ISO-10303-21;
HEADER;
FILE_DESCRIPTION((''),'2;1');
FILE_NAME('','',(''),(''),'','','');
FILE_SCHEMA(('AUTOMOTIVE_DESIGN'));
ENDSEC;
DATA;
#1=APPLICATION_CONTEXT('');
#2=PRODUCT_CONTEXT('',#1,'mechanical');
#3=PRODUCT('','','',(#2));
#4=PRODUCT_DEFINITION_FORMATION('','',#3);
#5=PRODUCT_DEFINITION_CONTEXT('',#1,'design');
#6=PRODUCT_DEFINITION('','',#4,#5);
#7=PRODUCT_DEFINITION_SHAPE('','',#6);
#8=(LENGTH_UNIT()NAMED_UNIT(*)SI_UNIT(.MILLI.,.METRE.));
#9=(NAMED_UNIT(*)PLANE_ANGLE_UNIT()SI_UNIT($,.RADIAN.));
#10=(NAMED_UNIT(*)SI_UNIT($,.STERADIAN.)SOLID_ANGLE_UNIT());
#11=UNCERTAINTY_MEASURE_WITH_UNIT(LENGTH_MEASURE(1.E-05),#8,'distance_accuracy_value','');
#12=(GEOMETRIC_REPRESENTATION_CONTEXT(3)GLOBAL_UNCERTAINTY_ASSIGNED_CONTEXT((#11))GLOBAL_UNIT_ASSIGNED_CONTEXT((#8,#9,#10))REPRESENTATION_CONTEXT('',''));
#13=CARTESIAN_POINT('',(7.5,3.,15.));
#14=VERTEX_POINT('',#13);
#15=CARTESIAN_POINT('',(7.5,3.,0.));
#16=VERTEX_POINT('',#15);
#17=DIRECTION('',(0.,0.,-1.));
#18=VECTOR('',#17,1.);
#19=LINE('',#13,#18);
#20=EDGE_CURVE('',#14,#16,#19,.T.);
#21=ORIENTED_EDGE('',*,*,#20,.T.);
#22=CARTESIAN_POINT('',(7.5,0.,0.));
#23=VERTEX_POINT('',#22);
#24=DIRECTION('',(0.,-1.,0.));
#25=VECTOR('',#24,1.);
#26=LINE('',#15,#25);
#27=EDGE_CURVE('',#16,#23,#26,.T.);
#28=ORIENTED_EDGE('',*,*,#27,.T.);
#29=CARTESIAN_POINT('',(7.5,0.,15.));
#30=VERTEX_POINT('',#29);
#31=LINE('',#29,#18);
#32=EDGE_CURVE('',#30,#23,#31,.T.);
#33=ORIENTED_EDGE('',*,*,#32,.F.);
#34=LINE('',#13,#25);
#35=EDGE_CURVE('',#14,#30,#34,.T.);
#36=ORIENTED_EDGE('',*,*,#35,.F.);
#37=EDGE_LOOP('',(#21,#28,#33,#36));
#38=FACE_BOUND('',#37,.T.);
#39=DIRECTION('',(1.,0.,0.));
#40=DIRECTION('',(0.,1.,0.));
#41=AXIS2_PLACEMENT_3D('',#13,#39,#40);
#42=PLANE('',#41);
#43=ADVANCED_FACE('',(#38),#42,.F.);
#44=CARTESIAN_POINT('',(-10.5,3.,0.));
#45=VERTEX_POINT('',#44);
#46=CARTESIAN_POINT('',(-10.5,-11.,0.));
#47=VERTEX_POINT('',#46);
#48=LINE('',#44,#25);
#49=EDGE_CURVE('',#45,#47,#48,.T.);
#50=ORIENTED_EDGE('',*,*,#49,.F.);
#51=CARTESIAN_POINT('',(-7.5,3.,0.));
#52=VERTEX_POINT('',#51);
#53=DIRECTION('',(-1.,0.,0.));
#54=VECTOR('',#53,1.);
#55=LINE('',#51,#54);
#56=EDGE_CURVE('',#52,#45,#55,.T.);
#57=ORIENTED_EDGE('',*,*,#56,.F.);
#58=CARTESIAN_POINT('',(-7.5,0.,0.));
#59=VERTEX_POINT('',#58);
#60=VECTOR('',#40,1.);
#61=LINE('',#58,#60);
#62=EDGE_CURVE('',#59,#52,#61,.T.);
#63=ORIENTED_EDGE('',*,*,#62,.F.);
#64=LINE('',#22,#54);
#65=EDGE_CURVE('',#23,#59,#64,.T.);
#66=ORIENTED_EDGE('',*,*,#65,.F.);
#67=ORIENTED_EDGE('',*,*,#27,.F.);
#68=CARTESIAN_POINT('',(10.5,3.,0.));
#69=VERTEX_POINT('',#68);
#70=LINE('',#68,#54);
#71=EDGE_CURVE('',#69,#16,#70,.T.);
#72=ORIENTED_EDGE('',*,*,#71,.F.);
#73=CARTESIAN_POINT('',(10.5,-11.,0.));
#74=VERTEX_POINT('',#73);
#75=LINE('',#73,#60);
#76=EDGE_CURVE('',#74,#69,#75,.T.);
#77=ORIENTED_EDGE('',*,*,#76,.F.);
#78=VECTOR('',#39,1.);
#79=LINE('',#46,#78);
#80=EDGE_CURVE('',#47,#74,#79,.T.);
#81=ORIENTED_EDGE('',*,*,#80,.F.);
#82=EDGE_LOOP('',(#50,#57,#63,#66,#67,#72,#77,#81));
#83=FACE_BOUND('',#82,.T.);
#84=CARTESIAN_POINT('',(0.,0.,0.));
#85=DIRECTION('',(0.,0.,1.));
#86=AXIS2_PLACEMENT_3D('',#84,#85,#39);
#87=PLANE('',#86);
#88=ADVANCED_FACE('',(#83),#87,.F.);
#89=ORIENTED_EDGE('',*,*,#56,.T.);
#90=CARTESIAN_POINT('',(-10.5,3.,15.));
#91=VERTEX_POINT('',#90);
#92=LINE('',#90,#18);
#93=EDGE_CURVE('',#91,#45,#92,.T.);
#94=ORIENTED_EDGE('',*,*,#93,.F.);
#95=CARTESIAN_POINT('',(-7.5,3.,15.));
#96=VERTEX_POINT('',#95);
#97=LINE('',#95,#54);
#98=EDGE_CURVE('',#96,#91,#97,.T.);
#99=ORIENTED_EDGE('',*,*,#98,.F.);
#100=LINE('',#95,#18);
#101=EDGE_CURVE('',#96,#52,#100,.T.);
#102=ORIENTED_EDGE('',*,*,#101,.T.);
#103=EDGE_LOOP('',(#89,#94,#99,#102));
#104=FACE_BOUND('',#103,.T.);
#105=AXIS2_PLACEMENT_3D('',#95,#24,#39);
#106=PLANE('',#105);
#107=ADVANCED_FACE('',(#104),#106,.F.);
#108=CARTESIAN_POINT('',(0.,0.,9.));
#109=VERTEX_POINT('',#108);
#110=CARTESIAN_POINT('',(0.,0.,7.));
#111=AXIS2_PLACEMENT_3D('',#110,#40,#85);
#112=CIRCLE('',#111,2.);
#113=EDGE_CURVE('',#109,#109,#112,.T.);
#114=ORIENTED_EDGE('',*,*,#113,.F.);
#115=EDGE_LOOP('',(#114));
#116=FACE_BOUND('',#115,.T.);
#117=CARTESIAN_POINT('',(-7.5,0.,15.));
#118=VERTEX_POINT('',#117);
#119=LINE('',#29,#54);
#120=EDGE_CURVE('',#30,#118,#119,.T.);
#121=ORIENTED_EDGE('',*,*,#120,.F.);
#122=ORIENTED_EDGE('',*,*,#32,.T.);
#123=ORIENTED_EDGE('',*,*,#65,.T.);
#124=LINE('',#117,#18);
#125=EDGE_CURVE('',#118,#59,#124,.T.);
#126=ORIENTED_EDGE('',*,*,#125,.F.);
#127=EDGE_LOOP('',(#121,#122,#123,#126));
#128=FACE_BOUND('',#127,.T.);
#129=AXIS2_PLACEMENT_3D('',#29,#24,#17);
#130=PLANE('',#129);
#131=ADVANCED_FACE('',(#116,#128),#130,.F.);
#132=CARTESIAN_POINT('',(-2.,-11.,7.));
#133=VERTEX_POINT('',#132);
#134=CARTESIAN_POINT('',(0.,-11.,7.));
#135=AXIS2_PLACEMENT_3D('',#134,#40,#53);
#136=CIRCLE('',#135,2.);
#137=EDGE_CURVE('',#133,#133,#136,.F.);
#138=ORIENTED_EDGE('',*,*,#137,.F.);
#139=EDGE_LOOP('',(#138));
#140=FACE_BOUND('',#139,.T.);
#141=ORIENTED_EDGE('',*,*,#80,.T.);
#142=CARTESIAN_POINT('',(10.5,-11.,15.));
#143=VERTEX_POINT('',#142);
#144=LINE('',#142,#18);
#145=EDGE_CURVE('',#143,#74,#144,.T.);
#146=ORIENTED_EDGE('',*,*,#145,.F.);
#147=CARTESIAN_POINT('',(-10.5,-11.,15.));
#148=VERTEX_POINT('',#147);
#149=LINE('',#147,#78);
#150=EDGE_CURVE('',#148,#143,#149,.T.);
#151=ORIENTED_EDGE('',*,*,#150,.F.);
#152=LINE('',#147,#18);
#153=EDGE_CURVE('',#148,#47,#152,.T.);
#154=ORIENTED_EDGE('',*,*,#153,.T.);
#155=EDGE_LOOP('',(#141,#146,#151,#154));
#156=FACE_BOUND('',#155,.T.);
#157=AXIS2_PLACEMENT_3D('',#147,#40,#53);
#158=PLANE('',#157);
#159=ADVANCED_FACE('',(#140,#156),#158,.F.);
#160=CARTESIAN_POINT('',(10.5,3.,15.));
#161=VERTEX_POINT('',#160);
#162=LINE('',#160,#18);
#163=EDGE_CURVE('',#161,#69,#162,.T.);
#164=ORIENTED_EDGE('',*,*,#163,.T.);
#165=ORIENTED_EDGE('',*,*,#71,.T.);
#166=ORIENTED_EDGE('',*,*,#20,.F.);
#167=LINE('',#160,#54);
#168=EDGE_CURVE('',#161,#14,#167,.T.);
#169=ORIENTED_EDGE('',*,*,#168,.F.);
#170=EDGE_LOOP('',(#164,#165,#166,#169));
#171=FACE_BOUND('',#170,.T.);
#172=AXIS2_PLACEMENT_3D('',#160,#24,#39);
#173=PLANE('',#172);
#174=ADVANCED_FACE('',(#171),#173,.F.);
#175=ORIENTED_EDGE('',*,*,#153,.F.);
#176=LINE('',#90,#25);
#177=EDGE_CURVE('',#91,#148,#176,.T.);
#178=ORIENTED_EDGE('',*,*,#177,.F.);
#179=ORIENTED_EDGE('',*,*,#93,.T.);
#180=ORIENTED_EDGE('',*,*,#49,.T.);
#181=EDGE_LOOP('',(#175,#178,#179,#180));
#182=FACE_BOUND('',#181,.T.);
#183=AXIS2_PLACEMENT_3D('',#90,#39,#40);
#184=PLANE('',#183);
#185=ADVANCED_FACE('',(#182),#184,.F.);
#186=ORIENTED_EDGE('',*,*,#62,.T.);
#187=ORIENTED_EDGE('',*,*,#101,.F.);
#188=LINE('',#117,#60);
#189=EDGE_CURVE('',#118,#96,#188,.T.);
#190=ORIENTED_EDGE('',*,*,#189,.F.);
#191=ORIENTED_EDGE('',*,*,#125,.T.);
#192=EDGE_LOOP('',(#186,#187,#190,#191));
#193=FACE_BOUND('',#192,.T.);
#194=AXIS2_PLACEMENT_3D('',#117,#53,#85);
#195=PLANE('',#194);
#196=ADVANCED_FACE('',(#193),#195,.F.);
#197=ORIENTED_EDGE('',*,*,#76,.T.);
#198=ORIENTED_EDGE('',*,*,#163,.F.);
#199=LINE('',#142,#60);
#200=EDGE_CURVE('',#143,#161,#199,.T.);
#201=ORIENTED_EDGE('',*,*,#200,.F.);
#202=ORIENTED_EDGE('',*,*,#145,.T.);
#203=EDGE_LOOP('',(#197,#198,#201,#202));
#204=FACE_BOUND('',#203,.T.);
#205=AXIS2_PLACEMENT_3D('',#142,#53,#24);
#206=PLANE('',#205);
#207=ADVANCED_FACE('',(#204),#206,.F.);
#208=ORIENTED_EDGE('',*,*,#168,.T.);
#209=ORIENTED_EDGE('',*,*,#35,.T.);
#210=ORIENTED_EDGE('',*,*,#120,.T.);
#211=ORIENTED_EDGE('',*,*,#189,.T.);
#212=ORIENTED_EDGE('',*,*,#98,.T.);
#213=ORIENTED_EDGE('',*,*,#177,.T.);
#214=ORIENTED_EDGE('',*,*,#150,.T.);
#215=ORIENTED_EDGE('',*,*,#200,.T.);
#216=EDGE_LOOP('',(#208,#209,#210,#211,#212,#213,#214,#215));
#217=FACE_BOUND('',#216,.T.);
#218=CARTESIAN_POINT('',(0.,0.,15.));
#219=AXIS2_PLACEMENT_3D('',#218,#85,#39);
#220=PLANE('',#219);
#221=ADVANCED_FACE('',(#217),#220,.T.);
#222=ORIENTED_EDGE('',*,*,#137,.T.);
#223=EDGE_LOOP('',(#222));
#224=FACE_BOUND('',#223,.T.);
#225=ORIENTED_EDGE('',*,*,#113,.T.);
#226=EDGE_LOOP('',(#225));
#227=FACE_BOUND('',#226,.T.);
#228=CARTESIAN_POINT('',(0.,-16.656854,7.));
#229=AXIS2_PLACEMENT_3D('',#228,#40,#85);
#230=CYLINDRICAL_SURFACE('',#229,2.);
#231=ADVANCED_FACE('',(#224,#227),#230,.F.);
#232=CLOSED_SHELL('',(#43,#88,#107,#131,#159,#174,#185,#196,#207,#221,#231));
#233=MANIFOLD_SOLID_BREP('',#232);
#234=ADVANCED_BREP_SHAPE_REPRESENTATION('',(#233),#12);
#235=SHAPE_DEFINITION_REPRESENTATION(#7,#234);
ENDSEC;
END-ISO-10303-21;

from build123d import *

# Parameters (mm, degrees)
BOSS_EXTRUDE1_DEPTH = 15
SKETCH2_R           = 2
CUT_EXTRUDE1_DEPTH  = 11


with BuildPart() as part:
    # Sketch1 → Boss-Extrude1 (new body)
    with BuildSketch(Plane.XY):
        Polygon((7.5, 0), (-7.5, 0), (-7.5, 3), (-10.5, 3), (-10.5, -11), (10.5, -11), (10.5, 3), (7.5, 3), align=None)
    extrude(amount=BOSS_EXTRUDE1_DEPTH)

    # Sketch2 → Cut-Extrude1 (cut)
    with BuildSketch(Plane(origin=(0, 0, 0), x_dir=(1, 0, 0), z_dir=(0, 1, 0))):
        with Locations((0, -7)):
            Circle(SKETCH2_R)
    extrude(amount=-CUT_EXTRUDE1_DEPTH, mode=Mode.SUBTRACT)


solid = part.part
